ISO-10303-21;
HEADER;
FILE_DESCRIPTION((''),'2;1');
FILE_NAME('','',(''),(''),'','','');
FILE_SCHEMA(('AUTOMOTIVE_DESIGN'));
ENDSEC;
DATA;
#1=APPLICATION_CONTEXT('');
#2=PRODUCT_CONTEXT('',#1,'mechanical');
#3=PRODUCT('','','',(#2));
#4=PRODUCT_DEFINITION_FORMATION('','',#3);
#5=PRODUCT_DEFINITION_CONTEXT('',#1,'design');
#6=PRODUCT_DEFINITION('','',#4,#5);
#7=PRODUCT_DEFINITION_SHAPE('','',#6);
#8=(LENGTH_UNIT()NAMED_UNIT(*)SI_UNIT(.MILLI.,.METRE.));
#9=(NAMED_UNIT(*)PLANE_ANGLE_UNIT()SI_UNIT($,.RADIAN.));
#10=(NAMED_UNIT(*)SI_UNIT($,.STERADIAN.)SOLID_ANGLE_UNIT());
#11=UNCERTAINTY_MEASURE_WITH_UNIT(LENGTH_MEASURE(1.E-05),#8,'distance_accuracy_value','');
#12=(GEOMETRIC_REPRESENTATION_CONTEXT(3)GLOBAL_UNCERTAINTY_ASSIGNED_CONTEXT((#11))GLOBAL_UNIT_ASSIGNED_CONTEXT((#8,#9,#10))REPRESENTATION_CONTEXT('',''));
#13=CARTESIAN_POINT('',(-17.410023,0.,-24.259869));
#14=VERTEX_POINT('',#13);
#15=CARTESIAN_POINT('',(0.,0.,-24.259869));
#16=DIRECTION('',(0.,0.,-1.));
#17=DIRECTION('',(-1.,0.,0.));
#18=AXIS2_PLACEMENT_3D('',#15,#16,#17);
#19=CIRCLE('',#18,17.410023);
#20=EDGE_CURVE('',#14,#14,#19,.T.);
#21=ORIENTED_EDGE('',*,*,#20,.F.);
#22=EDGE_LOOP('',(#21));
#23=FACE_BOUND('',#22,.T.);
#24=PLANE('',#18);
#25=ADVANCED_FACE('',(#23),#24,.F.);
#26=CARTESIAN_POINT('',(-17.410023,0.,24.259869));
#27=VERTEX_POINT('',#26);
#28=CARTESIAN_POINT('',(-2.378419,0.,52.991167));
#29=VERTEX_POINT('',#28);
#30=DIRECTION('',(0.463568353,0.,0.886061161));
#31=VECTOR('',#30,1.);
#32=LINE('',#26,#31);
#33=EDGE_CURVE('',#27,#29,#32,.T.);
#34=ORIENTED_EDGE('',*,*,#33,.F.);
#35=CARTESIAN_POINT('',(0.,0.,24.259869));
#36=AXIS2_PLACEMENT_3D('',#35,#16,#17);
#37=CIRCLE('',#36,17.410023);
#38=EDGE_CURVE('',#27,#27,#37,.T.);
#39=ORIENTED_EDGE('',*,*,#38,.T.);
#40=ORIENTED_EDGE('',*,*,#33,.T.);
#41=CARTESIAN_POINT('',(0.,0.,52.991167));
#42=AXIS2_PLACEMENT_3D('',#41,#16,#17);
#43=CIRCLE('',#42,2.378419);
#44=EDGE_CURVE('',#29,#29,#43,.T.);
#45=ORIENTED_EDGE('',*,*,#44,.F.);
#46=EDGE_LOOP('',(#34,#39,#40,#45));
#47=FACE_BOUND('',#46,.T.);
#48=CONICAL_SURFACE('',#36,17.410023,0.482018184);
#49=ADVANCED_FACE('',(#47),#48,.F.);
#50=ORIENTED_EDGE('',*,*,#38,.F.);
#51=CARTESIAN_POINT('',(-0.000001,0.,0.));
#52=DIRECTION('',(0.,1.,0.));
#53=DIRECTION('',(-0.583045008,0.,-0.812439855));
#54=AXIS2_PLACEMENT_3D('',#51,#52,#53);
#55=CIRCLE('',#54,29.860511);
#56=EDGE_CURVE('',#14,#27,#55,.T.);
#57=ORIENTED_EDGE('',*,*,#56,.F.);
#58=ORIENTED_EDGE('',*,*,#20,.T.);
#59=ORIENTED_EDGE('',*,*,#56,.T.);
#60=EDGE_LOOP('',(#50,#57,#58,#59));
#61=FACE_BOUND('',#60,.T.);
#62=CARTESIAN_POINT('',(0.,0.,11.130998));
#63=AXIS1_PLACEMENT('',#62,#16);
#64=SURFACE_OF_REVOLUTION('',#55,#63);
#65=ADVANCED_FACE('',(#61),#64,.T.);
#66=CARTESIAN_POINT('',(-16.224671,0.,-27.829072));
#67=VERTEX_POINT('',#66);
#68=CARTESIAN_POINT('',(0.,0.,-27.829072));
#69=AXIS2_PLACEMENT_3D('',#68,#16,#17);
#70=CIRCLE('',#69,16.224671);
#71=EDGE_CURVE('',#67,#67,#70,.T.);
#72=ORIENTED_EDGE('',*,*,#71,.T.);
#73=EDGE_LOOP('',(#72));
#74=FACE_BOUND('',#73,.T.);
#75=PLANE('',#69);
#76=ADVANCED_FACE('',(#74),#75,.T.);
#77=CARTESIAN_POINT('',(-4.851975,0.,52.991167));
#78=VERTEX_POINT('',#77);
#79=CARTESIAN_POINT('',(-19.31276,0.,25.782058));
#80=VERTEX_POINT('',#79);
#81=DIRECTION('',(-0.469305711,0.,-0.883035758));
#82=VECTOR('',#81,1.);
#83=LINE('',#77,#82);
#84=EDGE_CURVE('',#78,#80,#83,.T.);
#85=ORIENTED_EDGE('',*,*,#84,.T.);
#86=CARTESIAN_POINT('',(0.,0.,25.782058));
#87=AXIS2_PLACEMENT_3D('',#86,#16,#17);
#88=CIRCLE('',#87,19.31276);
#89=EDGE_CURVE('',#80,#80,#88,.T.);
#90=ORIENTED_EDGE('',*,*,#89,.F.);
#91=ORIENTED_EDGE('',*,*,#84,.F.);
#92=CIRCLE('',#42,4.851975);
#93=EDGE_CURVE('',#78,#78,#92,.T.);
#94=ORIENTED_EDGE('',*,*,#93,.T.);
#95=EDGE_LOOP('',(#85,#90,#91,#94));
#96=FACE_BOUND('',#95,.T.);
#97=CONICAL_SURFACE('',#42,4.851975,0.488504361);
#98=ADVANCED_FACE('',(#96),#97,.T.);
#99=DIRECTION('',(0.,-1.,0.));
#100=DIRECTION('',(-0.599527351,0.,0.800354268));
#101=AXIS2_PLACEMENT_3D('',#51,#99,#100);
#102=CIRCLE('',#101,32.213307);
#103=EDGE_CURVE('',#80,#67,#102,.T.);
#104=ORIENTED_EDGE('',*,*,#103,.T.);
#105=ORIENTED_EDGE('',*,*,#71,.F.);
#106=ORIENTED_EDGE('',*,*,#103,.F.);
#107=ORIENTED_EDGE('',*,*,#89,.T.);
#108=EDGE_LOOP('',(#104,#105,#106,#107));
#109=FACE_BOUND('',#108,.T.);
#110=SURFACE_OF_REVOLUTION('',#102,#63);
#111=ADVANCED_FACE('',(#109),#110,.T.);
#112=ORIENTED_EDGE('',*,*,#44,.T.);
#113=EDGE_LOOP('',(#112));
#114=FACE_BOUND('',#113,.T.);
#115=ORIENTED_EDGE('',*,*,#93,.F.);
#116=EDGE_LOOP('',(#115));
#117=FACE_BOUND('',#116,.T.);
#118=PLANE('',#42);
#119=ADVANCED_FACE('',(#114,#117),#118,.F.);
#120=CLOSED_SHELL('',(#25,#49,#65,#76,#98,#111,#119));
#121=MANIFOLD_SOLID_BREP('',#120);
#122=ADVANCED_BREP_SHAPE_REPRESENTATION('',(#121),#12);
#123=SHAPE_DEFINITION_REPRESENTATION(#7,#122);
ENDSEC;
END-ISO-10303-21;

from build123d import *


with BuildPart() as f1:
    # F0 (on Front) → F1 (revolve)
    with BuildSketch(Plane.XZ):
        with BuildLine():
            Line((-4.851975, 52.991167), (-19.31276, 25.782058))
            ThreePointArc((-19.31276, 25.782058), (-32.16, -1.852469), (-16.224671, -27.829072))
            Line((-16.224671, -27.829072), (0, -27.829072))
            Line((0, -27.829072), (0, -24.259869))
            Line((0, -24.259869), (-17.410023, -24.259869))
            ThreePointArc((-17.410023, -24.259869), (-29.860512, 0), (-17.410023, 24.259869))
            Line((-17.410023, 24.259869), (-2.378419, 52.991167))
            Line((-2.378419, 52.991167), (-4.851975, 52.991167))
        make_face()
    revolve(axis=Axis((0, 0, 11.130998), (0, 0, -1)))


solid = f1.part
